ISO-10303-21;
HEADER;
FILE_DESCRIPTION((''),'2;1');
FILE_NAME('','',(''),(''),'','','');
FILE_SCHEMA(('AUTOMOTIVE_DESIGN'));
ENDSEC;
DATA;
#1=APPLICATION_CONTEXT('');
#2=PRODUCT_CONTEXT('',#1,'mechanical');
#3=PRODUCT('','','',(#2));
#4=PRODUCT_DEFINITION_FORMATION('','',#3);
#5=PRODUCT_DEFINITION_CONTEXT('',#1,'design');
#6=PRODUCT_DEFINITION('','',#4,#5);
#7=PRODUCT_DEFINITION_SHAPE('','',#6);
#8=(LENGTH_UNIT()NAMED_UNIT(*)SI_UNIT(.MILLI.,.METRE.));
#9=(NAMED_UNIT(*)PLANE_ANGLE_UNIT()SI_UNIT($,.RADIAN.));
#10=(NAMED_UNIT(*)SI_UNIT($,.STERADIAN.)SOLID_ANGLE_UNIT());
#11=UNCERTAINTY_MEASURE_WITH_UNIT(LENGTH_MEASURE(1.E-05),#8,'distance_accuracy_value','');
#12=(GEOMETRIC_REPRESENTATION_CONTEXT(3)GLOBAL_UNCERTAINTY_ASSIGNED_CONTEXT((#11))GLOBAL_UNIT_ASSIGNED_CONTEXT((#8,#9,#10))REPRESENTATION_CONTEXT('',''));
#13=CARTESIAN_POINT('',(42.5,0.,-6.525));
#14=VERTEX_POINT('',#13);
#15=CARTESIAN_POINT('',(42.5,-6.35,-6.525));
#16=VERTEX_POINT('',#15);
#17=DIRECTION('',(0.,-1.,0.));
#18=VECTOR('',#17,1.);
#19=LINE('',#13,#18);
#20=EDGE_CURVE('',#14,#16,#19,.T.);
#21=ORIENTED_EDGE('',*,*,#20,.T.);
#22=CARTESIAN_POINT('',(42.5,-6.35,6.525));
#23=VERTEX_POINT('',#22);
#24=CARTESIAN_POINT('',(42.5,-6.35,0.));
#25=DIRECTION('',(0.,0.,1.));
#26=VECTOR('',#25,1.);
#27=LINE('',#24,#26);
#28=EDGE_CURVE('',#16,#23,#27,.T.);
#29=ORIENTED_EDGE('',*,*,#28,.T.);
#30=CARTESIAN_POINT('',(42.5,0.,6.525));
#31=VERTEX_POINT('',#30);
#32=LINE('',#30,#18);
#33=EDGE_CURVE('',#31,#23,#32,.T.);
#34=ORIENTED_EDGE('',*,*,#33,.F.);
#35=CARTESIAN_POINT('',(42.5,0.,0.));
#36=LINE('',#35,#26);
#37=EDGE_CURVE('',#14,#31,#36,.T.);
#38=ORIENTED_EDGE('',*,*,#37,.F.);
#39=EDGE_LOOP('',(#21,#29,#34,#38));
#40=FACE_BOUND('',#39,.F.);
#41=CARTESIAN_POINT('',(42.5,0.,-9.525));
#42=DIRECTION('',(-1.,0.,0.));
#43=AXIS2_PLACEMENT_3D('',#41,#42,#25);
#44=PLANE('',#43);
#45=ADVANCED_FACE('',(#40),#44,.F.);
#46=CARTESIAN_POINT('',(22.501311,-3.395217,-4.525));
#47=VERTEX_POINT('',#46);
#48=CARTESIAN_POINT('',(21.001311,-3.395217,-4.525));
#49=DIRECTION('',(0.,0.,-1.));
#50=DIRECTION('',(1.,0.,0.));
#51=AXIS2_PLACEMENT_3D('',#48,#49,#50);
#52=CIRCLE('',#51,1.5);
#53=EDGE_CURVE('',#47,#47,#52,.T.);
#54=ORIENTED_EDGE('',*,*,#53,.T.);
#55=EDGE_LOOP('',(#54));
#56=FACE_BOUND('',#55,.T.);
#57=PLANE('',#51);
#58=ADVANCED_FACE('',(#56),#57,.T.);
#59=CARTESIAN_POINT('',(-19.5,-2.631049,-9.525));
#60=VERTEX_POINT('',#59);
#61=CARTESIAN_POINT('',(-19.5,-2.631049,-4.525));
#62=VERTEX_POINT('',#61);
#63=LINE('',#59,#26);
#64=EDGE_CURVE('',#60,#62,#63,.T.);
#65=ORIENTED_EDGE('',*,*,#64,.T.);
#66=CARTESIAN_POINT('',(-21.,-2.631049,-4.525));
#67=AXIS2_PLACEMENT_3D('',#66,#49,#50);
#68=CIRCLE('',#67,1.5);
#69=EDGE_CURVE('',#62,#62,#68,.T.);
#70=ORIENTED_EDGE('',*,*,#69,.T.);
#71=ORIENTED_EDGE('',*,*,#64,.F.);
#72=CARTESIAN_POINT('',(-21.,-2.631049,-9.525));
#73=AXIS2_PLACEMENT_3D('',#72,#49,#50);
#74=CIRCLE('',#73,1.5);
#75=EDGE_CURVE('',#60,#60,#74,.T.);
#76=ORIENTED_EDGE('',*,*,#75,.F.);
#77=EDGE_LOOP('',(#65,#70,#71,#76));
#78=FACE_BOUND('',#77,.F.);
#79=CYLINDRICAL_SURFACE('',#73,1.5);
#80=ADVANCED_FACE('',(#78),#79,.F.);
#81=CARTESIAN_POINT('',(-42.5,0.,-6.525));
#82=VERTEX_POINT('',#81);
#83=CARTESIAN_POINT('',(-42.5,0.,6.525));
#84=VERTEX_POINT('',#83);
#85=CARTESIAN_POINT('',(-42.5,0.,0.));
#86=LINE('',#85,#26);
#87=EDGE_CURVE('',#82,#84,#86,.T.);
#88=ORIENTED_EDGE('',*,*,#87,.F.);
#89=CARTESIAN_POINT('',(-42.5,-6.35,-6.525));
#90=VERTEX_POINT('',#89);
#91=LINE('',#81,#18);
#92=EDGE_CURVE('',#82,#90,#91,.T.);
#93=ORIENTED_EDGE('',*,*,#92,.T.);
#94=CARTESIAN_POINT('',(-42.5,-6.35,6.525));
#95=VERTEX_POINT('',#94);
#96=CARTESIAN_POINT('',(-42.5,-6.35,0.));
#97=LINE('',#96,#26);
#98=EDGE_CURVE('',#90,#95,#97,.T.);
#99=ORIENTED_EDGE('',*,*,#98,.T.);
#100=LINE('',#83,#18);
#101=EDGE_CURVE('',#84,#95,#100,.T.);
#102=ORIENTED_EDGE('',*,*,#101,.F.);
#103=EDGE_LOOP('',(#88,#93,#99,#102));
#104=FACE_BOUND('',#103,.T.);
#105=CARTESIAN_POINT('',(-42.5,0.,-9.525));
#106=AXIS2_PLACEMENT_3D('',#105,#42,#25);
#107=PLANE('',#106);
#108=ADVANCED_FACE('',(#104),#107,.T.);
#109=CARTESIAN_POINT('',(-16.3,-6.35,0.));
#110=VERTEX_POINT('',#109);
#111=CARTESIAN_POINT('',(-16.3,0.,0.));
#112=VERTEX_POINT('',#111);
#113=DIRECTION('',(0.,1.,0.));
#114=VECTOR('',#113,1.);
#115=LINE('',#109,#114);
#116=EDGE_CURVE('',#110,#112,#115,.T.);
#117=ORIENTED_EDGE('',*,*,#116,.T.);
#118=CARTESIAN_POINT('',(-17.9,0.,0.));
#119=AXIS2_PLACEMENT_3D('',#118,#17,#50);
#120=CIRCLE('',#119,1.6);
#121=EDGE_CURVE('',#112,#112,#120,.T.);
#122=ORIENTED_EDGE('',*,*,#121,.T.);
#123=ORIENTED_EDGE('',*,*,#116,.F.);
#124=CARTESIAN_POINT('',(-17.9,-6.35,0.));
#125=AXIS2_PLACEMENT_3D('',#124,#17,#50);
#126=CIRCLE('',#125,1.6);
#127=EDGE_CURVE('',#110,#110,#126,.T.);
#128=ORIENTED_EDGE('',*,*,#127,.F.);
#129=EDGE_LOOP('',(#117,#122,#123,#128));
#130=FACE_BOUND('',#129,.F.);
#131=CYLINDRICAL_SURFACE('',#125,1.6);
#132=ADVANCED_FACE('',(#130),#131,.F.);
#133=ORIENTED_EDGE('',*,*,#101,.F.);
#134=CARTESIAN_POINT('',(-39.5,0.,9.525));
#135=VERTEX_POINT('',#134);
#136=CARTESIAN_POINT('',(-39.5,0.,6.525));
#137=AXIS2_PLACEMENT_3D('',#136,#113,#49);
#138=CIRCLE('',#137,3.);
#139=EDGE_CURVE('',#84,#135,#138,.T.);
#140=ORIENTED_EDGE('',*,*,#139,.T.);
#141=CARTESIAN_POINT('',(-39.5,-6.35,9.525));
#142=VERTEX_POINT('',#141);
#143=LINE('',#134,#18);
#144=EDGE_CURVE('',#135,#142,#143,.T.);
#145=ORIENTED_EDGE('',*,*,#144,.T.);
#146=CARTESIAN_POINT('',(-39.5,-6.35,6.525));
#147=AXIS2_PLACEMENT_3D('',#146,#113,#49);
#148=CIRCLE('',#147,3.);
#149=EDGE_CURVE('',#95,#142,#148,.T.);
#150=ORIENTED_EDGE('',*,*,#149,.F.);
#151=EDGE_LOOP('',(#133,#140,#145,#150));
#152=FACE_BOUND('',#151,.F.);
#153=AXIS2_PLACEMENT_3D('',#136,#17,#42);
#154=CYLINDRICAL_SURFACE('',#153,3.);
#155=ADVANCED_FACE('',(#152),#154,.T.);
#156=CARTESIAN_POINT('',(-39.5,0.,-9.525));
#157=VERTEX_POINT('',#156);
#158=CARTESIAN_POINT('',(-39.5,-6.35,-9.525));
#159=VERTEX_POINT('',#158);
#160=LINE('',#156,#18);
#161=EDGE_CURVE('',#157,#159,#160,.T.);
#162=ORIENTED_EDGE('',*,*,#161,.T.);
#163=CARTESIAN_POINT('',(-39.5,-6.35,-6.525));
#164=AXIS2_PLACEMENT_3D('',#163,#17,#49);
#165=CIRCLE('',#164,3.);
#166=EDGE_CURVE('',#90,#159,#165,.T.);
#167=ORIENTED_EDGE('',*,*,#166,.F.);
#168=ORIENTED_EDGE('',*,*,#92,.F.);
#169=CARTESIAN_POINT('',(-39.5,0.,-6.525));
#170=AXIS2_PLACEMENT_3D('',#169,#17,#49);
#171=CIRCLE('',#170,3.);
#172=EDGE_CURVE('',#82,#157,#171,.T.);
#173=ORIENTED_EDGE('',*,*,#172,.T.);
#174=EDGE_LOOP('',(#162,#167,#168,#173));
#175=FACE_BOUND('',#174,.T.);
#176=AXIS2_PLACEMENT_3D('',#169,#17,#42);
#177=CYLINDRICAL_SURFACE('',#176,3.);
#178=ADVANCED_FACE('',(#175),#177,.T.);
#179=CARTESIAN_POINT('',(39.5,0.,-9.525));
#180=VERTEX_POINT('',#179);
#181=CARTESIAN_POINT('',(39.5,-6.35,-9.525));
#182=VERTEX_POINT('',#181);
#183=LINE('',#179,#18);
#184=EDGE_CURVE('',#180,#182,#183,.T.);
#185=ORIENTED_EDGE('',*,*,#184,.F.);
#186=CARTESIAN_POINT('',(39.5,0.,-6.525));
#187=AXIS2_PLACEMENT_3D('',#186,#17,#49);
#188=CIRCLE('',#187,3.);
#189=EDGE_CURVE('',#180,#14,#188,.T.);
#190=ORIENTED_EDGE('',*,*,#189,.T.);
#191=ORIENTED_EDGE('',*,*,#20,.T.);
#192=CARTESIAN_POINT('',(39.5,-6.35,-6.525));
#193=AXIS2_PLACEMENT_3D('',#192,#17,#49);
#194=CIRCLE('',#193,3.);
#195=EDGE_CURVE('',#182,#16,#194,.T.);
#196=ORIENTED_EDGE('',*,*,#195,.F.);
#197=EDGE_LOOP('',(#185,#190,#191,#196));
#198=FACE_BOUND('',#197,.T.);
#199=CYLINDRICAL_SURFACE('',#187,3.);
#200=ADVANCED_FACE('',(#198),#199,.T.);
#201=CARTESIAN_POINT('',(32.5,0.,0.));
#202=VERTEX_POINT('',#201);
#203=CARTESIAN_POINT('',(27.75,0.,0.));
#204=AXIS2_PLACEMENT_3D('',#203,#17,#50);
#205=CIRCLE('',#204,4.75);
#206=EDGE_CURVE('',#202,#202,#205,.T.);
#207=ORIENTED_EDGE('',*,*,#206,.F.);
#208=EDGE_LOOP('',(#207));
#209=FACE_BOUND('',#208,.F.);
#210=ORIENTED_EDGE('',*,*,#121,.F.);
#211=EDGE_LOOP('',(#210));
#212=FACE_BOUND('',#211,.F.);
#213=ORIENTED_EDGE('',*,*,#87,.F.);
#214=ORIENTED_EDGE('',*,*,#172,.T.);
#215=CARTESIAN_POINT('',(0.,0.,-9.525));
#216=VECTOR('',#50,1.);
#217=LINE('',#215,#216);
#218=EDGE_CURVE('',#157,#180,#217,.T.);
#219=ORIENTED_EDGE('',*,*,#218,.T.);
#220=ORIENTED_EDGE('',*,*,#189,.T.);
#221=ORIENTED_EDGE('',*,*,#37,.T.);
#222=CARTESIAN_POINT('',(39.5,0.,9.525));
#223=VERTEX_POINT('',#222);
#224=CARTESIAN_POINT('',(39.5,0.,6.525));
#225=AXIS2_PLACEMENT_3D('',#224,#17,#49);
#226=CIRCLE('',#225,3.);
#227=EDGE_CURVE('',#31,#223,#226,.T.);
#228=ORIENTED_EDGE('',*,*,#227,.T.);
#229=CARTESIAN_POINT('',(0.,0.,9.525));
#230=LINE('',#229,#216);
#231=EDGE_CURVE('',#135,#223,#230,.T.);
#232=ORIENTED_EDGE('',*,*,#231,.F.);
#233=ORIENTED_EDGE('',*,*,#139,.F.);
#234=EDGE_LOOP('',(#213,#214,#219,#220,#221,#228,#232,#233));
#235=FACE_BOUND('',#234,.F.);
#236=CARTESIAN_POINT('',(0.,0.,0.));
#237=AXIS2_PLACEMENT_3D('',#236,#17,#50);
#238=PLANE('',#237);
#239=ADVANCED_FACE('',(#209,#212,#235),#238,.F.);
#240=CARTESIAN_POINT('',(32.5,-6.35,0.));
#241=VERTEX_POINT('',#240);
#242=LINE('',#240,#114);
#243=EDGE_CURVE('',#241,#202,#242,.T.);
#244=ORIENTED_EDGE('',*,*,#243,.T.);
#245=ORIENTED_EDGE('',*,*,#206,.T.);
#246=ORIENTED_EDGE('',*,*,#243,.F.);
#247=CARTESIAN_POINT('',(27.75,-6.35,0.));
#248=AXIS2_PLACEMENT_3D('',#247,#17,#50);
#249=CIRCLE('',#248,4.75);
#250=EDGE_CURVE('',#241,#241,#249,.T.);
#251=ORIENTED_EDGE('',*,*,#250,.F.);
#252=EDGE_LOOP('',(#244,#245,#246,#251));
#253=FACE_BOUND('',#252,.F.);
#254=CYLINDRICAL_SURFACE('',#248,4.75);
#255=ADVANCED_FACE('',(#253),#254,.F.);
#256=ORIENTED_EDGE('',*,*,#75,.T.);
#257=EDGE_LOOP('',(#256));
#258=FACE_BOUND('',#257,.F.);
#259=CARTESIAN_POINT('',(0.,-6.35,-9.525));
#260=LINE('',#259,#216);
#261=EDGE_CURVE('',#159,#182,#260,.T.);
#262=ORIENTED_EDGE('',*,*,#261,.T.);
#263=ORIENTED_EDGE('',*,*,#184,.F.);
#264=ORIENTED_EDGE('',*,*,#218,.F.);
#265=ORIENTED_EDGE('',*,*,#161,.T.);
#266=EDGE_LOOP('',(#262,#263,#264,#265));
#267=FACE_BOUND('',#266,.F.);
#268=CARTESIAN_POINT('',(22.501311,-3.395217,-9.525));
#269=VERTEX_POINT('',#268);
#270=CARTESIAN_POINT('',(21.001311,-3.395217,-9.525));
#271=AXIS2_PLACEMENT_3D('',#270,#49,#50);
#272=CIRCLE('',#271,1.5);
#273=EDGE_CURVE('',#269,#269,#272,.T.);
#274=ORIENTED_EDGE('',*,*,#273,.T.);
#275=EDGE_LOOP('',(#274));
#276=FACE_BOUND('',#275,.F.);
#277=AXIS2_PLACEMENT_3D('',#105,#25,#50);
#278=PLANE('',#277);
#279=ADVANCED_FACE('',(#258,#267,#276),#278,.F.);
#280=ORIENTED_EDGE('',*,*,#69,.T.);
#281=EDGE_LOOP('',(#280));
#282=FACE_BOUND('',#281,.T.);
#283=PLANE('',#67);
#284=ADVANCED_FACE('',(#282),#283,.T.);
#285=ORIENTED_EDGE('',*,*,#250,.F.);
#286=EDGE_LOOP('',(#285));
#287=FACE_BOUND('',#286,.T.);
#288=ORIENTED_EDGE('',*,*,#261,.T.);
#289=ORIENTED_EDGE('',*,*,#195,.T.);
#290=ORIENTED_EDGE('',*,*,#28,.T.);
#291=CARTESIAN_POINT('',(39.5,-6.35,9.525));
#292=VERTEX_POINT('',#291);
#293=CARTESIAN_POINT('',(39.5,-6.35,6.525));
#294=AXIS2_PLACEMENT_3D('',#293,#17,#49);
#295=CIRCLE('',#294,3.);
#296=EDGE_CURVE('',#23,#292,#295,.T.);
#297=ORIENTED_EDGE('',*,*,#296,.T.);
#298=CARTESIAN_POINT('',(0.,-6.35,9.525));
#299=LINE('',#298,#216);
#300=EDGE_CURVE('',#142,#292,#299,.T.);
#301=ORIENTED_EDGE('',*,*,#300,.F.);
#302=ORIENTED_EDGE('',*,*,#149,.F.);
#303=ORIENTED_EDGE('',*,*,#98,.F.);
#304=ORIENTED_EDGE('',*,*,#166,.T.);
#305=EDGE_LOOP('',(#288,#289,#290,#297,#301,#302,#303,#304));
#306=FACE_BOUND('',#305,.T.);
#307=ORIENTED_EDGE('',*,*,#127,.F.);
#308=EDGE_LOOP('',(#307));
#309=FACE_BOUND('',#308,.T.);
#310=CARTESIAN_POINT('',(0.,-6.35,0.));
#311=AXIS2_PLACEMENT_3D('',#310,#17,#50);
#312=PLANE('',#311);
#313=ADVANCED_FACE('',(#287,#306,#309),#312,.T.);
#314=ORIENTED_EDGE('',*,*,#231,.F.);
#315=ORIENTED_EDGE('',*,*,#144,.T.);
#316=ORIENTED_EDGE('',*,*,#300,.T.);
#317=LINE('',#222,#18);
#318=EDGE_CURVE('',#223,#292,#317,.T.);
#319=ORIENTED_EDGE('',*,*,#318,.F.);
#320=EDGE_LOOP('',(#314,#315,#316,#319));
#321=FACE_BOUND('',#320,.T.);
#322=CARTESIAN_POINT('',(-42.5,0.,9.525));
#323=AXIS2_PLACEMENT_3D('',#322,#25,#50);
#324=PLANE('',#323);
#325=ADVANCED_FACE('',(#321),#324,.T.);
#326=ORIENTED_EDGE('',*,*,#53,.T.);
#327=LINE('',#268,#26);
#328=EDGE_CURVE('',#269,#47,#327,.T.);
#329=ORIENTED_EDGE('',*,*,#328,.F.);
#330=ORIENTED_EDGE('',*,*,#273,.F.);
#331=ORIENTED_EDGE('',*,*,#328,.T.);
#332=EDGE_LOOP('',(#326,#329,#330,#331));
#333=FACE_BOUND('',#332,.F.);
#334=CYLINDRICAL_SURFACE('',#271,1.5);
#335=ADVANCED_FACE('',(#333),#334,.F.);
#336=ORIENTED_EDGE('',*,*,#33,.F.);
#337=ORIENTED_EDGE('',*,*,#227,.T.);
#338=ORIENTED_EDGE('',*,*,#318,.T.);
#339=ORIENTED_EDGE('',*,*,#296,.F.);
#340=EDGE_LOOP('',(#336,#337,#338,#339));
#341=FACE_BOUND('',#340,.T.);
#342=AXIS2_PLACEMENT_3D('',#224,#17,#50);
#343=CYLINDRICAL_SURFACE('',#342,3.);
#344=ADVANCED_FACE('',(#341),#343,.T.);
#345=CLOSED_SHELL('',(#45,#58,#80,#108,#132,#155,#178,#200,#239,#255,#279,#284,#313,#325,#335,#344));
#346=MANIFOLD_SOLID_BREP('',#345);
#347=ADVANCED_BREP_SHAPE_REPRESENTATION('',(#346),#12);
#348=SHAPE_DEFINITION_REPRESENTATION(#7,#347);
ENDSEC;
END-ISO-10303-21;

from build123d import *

# Parameters (mm, degrees)
F0_W     = 85
F0_H     = 19.05
F1_DEPTH = 6.35
F2_R     = 3
F4_R     = 1.5
F5_DEPTH = 5
F3_R     = 1.6
F3_R_2   = 4.75
F6_DEPTH = 25


with BuildPart() as f1:
    # F0 (on Front) → F1 (new body)
    with BuildSketch(Plane.XZ):
        Rectangle(F0_W, F0_H)
    extrude(amount=F1_DEPTH)

    # F2
    f2_edges = [f1.edges().sort_by_distance(p)[0] for p in [
        (-42.5, -3.175, 9.525),
        (42.5, -3.175, 9.525),
        (42.5, -3.175, -9.525),
        (-42.5, -3.175, -9.525),
    ]]
    fillet(f2_edges, radius=F2_R)

    # F4 (on face) → F5 (cut)
    with BuildSketch(Plane(origin=(0, 0, -9.525), x_dir=(1, 0, 0), z_dir=(0, 0, -1))):
        with Locations((-21, 2.631049)):
            Circle(F4_R)
        with Locations((21.001311, 3.395217)):
            Circle(F4_R)
    extrude(amount=-F5_DEPTH, mode=Mode.SUBTRACT)

    # F3 (on face) → F6 (cut)
    with BuildSketch(Plane.XZ.offset(6.35)):
        with Locations((-17.9, 0)):
            Circle(F3_R)
        with Locations((27.75, 0)):
            Circle(F3_R_2)
    extrude(amount=-F6_DEPTH, mode=Mode.SUBTRACT)


solid = f1.part
